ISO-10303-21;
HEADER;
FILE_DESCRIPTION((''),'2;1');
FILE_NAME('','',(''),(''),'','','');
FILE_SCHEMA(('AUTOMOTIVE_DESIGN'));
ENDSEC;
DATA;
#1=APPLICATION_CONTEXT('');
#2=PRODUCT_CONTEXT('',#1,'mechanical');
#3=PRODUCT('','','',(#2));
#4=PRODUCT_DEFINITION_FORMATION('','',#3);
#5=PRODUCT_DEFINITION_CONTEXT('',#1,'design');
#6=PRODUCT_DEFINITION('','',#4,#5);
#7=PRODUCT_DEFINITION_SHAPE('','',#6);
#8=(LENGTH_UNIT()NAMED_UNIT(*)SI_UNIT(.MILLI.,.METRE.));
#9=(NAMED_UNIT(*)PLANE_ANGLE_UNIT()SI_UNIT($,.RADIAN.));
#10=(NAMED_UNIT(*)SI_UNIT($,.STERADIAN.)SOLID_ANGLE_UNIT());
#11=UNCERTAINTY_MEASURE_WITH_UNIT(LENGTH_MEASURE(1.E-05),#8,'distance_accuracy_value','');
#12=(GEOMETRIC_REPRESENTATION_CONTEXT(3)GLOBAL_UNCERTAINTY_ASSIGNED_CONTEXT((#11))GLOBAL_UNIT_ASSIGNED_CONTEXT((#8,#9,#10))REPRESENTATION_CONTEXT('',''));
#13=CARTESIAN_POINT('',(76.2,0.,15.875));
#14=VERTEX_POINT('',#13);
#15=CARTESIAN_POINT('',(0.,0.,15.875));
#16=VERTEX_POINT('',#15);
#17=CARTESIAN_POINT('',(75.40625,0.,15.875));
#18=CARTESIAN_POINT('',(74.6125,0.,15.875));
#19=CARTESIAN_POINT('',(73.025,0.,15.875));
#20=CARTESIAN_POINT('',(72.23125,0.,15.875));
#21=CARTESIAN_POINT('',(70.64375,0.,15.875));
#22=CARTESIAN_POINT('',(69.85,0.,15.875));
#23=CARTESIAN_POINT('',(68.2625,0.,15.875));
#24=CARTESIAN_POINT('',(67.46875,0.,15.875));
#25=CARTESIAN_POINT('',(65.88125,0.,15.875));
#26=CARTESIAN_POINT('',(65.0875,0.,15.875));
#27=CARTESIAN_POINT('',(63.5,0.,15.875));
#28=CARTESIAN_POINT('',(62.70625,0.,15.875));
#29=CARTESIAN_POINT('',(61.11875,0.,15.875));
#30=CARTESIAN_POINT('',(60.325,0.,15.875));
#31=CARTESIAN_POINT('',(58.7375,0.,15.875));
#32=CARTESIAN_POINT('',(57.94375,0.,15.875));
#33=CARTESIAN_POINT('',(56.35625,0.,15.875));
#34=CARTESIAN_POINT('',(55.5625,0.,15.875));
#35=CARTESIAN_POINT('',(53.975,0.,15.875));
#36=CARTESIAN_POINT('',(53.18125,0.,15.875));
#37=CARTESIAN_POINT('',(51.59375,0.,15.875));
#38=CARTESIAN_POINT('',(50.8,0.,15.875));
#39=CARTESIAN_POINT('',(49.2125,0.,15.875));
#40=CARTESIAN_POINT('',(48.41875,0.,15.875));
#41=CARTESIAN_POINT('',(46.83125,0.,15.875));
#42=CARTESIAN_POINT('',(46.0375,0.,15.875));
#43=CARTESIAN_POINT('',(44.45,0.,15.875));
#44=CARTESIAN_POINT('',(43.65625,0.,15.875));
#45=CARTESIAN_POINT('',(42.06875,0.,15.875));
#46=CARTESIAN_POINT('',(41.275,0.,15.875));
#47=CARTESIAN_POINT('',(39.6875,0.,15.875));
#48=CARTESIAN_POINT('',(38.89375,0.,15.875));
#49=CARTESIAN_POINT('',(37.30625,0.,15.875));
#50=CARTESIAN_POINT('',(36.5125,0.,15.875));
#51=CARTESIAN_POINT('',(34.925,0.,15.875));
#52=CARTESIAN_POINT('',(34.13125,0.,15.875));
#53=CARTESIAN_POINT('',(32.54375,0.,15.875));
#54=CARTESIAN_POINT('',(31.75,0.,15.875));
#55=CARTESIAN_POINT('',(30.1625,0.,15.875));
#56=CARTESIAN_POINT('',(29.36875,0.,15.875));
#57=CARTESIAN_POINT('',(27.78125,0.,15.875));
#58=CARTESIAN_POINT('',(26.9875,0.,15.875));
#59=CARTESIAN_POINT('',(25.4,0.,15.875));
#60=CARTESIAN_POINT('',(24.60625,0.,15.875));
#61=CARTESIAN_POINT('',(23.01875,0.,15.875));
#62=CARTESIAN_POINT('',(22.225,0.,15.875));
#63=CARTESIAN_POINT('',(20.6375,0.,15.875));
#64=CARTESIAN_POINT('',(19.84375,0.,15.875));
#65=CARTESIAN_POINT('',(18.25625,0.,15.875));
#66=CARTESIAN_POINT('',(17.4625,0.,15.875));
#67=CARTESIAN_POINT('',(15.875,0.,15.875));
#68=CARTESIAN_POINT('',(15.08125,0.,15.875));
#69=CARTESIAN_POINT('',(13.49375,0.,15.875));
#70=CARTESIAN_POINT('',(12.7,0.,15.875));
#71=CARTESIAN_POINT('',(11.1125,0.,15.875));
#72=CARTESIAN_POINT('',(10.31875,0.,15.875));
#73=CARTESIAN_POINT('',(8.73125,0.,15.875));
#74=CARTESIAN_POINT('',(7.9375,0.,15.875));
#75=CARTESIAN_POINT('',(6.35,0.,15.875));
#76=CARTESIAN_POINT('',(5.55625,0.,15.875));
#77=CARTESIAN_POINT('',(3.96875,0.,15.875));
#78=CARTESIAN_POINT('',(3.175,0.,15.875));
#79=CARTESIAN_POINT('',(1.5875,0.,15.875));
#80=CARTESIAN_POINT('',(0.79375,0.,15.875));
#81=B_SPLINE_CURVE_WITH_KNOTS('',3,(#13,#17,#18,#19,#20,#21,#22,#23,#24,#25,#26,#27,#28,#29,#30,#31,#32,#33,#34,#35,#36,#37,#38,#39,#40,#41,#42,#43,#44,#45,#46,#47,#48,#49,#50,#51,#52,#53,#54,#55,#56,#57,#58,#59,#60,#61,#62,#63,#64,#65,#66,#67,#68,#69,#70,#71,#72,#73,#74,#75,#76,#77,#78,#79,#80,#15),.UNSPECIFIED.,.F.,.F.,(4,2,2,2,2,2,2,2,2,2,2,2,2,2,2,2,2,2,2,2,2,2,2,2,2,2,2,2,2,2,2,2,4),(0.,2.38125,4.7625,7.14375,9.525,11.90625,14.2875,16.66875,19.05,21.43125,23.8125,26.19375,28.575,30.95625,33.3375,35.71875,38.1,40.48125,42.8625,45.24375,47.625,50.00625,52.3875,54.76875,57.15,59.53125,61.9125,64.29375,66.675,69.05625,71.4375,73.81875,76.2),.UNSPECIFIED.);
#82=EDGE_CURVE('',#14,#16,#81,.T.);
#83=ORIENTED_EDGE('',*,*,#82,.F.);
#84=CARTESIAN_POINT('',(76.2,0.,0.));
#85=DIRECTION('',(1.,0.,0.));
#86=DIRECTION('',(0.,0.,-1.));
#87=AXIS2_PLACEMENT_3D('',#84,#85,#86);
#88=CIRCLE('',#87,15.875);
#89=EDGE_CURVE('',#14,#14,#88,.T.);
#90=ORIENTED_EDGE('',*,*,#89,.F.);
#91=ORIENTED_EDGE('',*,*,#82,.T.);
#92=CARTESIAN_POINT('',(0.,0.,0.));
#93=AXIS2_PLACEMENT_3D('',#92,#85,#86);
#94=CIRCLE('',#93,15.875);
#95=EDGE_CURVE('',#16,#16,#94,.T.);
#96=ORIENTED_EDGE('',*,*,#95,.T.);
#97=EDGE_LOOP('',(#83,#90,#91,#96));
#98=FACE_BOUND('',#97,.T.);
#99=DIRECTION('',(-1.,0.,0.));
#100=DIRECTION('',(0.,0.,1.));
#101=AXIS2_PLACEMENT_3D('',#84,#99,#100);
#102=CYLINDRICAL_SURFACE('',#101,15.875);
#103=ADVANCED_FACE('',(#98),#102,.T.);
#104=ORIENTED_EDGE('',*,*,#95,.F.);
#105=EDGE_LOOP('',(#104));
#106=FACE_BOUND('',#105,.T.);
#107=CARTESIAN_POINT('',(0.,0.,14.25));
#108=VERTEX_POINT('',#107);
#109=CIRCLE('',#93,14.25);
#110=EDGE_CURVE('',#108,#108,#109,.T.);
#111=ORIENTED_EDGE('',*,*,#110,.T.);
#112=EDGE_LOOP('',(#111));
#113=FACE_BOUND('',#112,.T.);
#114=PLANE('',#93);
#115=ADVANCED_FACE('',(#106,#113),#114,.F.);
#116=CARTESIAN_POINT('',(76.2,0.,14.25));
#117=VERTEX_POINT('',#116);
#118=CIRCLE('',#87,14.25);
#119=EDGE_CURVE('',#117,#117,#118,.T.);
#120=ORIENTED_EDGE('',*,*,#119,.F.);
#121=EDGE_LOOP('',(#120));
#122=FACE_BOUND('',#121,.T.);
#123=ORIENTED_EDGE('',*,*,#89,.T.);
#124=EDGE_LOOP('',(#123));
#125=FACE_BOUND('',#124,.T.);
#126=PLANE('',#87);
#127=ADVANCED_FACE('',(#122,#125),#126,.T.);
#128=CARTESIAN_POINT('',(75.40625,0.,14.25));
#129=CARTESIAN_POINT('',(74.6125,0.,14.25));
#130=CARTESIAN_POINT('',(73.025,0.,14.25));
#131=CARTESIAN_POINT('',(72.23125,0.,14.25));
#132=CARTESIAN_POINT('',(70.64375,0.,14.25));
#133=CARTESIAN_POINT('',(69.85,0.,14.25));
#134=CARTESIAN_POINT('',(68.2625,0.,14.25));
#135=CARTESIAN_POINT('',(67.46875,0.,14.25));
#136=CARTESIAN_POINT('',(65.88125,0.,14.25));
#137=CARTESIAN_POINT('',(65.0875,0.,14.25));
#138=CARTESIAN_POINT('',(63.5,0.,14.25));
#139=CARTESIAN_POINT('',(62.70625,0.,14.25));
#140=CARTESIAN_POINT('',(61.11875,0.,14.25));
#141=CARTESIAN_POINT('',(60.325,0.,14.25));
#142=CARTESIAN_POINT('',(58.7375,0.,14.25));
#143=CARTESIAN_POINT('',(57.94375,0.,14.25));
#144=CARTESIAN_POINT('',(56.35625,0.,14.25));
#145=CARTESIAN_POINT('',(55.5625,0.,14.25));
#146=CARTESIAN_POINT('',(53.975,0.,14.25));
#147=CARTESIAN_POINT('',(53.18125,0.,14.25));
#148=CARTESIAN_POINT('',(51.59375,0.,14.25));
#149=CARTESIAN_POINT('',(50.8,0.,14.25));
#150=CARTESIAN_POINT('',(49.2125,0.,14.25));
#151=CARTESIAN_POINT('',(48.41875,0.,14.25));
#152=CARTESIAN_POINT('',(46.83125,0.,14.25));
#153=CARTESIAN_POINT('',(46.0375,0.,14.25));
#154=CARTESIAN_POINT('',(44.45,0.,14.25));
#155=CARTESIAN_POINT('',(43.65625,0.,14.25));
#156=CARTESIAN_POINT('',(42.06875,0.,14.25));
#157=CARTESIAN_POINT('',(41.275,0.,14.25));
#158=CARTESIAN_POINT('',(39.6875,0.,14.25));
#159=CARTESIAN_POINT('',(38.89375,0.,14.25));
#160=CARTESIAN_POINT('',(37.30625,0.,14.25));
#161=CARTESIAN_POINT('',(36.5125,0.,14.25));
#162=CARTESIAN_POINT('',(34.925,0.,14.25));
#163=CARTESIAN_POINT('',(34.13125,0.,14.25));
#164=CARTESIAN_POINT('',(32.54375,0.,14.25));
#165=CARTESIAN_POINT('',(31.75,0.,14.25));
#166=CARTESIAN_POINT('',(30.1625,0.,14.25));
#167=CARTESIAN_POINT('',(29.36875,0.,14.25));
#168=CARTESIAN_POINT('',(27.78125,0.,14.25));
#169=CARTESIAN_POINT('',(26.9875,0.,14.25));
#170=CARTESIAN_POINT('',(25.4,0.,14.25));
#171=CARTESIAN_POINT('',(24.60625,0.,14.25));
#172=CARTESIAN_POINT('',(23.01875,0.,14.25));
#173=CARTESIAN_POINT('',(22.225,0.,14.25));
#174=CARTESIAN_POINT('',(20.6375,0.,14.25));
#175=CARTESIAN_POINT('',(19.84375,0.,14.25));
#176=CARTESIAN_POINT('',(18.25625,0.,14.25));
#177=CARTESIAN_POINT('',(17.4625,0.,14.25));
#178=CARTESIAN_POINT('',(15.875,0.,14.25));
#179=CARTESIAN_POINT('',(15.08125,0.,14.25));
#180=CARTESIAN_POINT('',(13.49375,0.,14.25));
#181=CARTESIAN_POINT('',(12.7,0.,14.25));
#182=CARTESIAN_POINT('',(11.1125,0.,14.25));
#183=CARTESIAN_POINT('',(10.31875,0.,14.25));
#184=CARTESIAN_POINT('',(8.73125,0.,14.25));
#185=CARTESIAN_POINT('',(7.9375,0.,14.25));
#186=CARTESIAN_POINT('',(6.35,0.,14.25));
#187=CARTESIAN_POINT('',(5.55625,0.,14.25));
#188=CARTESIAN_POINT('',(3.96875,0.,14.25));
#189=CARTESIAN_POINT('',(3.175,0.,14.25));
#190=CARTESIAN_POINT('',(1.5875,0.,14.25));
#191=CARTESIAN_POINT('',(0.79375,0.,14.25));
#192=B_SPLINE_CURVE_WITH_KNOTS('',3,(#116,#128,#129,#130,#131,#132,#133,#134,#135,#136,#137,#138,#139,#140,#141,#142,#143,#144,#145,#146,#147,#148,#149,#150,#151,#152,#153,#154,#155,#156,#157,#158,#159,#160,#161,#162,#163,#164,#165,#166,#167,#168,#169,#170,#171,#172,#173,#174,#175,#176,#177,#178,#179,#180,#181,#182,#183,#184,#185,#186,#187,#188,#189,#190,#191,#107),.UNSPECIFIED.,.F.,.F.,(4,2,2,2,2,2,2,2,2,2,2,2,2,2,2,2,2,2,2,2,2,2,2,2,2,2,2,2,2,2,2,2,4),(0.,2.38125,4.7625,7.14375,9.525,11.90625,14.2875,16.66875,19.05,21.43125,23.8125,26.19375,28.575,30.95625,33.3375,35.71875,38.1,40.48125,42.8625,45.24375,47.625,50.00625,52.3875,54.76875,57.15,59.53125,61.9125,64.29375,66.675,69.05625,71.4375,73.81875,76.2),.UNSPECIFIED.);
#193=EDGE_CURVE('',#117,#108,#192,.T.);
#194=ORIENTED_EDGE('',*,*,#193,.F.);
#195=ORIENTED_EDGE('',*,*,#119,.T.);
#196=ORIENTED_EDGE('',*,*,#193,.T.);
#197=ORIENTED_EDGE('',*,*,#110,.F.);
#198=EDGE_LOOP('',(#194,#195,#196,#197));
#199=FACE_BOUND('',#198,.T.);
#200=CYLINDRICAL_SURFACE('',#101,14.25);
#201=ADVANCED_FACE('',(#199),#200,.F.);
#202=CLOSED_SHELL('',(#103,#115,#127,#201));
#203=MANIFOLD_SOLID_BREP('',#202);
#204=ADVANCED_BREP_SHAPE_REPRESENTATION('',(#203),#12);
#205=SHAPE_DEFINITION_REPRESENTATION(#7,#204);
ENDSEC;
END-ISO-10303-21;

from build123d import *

# Parameters (mm, degrees)
SKETCH1_R          = 15.875
SKETCH1_R_2        = 14.25
BASE_EXTRUDE_DEPTH = 76.2


with BuildPart() as part:
    # Sketch1 → Base-Extrude (new body)
    with BuildSketch(Plane(origin=(0, 0, 0), x_dir=(0, 0, -1), z_dir=(1, 0, 0))):
        with Locations(Location((0, 0, 0), (0, 0, 180))):
            Circle(SKETCH1_R)
        with Locations(Location((0, 0, 0), (0, 0, 180))):
            Circle(SKETCH1_R_2, mode=Mode.SUBTRACT)
    extrude(amount=BASE_EXTRUDE_DEPTH)


solid = part.part
